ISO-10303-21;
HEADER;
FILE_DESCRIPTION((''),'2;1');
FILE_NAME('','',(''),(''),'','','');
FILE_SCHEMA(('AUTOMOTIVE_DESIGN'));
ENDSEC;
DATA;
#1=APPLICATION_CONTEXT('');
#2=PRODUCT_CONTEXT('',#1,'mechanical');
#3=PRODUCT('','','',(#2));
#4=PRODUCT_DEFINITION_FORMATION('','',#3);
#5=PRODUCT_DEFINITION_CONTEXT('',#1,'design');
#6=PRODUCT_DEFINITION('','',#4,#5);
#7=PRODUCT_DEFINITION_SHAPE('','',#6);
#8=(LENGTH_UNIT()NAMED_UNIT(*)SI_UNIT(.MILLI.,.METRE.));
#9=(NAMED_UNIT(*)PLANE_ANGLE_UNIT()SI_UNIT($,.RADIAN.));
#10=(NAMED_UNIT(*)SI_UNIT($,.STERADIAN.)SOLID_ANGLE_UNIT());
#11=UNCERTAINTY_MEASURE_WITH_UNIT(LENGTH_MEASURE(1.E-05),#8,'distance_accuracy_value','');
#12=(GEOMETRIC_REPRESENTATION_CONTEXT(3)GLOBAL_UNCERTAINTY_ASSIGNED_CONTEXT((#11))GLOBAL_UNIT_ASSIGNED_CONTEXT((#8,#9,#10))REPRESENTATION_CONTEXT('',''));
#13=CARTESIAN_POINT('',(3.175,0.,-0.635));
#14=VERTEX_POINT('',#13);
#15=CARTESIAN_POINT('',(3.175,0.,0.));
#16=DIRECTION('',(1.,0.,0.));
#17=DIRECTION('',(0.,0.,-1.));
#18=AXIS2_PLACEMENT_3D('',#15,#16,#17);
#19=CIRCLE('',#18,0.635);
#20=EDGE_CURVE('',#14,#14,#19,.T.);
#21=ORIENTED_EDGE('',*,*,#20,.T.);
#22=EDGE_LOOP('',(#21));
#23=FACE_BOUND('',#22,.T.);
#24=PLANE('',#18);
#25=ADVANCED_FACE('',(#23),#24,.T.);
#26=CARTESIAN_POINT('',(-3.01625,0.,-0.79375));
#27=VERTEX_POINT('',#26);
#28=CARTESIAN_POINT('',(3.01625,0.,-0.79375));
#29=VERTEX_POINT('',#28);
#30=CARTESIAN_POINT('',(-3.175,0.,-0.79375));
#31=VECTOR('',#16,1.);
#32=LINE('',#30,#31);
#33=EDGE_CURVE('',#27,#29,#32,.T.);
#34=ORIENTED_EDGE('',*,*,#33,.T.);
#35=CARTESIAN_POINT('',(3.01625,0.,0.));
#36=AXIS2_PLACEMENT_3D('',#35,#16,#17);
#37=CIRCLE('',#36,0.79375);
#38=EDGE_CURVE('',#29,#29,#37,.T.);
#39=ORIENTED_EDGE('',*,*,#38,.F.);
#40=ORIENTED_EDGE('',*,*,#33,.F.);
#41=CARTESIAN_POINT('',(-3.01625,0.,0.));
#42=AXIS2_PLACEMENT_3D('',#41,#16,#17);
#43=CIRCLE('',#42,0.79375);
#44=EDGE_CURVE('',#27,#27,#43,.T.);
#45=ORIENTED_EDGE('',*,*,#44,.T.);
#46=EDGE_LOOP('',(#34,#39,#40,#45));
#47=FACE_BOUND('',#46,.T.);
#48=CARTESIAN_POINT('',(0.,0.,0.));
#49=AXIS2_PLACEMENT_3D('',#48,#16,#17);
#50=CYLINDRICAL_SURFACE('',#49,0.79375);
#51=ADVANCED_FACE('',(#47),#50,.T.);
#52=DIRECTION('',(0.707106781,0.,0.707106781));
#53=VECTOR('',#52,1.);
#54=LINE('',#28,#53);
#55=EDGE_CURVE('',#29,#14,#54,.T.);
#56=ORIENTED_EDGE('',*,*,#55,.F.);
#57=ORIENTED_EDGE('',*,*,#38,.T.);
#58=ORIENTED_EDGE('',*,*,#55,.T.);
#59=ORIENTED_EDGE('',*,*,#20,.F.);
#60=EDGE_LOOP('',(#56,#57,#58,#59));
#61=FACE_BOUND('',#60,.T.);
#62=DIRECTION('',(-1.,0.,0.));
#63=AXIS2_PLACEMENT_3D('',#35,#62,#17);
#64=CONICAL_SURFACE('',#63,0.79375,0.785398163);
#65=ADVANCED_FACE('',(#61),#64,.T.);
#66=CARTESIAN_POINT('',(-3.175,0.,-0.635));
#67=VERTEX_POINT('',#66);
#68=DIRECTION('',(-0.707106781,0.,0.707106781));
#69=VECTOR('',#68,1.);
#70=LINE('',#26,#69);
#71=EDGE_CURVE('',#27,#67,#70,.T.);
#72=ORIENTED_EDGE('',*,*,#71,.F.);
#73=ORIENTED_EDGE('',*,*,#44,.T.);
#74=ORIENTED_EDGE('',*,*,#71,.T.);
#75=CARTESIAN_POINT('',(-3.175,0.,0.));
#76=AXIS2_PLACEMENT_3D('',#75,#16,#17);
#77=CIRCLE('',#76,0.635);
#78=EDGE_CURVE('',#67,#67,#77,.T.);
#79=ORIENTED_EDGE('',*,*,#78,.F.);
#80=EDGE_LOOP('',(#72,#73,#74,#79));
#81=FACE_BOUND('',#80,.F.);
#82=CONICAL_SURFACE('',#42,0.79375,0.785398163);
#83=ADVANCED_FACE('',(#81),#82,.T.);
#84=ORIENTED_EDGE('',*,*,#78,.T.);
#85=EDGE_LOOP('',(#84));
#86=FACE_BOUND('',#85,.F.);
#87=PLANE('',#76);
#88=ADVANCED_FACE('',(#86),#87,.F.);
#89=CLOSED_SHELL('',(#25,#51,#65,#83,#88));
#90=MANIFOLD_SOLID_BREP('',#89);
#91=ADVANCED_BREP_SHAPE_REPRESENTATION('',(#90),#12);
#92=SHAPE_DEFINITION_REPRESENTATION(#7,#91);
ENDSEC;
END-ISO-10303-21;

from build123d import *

# Parameters (mm, degrees)
SKETCH2_R           = 0.79375
EXTRUDE1_DEPTH      = 3.175
EXTRUDE1_DEPTH_BACK = 3.175
CHAMFER1_SIZE       = 0.15875


with BuildPart() as part:
    # Sketch2 → Extrude1 (new body, two sides)
    with BuildSketch(Plane(origin=(0, 0, 0), x_dir=(0, 0, -1), z_dir=(1, 0, 0))) as extrude1_sk:
        Circle(SKETCH2_R)
    extrude(amount=EXTRUDE1_DEPTH)
    extrude(extrude1_sk.sketch, amount=-EXTRUDE1_DEPTH_BACK)

    # Chamfer1
    chamfer1_edges = [part.edges().sort_by_distance(p)[0] for p in [
        (-3.175, 0, 0.79375),
        (3.175, 0, 0.79375),
    ]]
    chamfer(chamfer1_edges, length=CHAMFER1_SIZE)


solid = part.part
